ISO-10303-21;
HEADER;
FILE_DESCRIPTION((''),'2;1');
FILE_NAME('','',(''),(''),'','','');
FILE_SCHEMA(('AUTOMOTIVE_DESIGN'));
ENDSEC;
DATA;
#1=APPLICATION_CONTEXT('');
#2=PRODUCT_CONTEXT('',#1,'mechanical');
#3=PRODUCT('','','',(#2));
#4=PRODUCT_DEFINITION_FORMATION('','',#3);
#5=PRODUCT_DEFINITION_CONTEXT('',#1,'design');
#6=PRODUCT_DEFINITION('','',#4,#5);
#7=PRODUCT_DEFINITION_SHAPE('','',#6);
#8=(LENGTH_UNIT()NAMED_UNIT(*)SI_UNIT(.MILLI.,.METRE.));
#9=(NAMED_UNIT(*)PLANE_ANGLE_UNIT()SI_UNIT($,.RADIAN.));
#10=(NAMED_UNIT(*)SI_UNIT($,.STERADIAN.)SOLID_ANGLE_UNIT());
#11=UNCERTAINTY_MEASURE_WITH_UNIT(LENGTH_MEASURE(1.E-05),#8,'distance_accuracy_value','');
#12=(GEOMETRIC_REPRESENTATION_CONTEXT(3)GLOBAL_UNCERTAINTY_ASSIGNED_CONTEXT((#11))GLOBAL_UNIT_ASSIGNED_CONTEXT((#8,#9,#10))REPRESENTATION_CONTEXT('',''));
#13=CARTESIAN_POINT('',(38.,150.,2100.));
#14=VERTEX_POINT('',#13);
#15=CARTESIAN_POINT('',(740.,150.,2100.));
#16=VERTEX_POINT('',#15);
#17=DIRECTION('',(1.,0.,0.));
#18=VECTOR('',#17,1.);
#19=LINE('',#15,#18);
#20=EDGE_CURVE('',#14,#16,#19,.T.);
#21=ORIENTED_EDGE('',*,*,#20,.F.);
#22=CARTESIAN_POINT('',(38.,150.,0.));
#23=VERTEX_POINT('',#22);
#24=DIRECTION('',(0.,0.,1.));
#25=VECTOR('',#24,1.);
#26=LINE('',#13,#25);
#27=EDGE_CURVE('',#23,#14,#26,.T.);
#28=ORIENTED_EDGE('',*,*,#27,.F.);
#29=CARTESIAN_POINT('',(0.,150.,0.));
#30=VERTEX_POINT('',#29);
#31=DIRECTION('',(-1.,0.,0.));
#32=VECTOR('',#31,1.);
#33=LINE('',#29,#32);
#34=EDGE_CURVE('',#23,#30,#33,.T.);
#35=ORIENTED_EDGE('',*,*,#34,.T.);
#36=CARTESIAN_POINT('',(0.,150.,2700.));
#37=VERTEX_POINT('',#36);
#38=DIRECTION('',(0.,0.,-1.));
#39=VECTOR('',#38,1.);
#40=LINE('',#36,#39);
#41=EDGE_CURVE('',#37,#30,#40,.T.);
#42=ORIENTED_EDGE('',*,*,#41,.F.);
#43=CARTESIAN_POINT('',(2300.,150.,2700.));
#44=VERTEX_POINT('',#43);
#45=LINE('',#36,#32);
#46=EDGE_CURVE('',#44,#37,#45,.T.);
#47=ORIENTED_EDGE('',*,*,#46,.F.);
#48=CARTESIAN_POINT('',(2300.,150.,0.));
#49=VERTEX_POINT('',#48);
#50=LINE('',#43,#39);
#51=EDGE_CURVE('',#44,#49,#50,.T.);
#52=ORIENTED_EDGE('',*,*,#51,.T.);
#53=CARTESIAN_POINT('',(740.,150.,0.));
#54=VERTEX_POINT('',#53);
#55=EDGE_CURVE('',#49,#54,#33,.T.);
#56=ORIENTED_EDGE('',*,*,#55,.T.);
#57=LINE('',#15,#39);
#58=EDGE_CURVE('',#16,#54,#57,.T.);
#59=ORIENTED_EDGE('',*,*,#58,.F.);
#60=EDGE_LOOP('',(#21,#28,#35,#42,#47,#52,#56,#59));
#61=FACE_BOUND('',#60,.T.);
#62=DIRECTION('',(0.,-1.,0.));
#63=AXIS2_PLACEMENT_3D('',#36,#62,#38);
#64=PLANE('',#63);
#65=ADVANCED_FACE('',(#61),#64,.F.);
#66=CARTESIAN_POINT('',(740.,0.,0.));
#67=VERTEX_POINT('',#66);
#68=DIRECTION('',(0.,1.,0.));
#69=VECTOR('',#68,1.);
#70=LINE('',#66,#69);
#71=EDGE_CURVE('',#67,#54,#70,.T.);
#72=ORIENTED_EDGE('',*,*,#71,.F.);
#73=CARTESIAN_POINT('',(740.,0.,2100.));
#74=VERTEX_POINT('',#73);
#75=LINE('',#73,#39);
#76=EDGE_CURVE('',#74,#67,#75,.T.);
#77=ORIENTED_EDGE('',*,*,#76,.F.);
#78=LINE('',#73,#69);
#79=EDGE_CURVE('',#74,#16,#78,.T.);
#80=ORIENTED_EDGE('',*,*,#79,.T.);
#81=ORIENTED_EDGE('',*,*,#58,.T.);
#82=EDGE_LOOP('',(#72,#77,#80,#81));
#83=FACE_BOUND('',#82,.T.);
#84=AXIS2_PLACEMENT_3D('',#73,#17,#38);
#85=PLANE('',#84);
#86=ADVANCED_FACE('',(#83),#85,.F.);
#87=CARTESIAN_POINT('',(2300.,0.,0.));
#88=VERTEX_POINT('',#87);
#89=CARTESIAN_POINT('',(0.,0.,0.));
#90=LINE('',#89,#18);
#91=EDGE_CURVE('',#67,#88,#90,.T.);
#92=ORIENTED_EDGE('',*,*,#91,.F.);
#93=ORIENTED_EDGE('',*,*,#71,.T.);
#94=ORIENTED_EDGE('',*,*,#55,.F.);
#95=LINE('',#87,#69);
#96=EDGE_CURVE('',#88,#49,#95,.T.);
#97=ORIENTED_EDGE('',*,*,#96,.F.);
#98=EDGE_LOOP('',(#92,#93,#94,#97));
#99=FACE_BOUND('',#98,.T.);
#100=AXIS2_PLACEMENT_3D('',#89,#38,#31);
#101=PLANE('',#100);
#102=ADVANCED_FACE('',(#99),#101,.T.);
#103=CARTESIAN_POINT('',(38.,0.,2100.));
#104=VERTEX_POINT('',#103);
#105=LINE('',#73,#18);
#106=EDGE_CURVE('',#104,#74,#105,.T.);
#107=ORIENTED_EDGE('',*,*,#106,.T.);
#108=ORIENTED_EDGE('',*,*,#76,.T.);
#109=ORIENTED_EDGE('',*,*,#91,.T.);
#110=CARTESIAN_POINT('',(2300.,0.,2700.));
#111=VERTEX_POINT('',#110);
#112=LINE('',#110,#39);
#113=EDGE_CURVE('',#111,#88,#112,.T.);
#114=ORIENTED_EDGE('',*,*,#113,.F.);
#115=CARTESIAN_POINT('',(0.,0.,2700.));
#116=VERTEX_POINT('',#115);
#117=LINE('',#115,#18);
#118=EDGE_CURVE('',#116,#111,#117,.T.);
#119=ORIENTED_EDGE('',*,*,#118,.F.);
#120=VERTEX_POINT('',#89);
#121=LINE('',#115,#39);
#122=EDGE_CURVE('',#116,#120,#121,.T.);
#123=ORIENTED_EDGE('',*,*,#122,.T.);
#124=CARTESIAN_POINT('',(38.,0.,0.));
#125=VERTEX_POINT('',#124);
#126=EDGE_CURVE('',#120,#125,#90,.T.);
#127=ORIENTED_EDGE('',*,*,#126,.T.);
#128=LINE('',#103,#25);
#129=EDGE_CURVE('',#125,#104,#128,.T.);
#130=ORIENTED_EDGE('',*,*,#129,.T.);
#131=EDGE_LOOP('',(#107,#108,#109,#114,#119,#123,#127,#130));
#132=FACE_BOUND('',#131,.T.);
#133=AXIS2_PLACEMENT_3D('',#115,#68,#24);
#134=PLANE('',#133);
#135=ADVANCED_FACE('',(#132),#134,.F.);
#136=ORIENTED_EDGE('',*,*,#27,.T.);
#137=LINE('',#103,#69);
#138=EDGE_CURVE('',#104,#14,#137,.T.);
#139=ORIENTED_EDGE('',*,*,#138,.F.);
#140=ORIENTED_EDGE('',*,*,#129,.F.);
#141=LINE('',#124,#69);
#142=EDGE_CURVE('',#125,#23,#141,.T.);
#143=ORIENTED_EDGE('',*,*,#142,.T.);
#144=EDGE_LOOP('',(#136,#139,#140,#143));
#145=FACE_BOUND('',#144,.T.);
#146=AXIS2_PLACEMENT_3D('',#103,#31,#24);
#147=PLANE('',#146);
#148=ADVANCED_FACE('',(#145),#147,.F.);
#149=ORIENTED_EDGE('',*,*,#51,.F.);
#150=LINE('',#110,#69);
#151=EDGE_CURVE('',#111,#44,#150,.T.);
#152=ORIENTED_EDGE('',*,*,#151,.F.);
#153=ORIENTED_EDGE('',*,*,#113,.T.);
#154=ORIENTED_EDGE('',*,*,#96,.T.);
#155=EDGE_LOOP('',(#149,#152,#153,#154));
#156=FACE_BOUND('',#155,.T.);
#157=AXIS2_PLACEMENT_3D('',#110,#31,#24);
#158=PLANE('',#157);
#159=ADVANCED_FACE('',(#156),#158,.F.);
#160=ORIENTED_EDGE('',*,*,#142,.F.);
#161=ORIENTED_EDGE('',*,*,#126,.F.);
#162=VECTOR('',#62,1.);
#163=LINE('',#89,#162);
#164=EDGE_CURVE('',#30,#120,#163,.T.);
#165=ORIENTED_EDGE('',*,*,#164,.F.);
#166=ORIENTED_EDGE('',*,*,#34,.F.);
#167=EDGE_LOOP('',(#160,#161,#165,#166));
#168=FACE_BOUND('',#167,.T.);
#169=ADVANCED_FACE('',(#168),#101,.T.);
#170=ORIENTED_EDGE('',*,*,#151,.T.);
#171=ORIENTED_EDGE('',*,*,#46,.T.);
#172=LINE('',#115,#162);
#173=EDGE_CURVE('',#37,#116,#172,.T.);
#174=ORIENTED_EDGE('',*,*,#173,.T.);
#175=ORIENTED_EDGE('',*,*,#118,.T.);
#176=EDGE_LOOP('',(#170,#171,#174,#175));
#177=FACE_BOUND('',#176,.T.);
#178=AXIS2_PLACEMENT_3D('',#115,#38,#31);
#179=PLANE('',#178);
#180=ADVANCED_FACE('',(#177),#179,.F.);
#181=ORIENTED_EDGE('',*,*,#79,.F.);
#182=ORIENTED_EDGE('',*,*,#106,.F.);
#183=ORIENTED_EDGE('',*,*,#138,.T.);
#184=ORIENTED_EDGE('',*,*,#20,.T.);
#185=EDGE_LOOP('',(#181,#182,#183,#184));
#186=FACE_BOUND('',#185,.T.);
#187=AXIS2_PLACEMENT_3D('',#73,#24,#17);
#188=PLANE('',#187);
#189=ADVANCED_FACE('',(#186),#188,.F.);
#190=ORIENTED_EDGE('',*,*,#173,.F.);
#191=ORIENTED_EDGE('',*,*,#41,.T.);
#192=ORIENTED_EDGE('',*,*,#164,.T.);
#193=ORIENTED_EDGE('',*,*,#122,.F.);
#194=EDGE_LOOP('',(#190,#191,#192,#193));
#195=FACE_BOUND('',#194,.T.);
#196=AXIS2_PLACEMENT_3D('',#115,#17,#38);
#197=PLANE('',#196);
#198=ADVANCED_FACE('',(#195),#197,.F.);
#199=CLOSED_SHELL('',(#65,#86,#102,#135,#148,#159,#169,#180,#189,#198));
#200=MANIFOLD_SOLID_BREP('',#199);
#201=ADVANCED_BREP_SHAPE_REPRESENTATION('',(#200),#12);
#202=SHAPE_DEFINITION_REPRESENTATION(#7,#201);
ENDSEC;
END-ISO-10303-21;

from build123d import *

# Parameters (mm, degrees)
ESBO_O1_W                = 2300
ESBO_O1_H                = 150
RESSALTO_EXTRUS_O1_DEPTH = 2700
ESBO_O3_W                = 702
ESBO_O3_H                = 2100
PORTA_DEPTH              = 151


with BuildPart() as part:
    # Esboço1 → Ressalto-extrusão1 (new body)
    with BuildSketch(Plane.XY):
        with Locations((1150, 75)):
            Rectangle(ESBO_O1_W, ESBO_O1_H)
    extrude(amount=RESSALTO_EXTRUS_O1_DEPTH)

    # Esboço3 → PORTA (cut, through all)
    with BuildSketch(Plane(origin=(0, 150, 0), x_dir=(1, 0, 0), z_dir=(0, 1, 0))):
        with Locations((389, -1050)):
            Rectangle(ESBO_O3_W, ESBO_O3_H)
    extrude(amount=-PORTA_DEPTH, mode=Mode.SUBTRACT)


solid = part.part
